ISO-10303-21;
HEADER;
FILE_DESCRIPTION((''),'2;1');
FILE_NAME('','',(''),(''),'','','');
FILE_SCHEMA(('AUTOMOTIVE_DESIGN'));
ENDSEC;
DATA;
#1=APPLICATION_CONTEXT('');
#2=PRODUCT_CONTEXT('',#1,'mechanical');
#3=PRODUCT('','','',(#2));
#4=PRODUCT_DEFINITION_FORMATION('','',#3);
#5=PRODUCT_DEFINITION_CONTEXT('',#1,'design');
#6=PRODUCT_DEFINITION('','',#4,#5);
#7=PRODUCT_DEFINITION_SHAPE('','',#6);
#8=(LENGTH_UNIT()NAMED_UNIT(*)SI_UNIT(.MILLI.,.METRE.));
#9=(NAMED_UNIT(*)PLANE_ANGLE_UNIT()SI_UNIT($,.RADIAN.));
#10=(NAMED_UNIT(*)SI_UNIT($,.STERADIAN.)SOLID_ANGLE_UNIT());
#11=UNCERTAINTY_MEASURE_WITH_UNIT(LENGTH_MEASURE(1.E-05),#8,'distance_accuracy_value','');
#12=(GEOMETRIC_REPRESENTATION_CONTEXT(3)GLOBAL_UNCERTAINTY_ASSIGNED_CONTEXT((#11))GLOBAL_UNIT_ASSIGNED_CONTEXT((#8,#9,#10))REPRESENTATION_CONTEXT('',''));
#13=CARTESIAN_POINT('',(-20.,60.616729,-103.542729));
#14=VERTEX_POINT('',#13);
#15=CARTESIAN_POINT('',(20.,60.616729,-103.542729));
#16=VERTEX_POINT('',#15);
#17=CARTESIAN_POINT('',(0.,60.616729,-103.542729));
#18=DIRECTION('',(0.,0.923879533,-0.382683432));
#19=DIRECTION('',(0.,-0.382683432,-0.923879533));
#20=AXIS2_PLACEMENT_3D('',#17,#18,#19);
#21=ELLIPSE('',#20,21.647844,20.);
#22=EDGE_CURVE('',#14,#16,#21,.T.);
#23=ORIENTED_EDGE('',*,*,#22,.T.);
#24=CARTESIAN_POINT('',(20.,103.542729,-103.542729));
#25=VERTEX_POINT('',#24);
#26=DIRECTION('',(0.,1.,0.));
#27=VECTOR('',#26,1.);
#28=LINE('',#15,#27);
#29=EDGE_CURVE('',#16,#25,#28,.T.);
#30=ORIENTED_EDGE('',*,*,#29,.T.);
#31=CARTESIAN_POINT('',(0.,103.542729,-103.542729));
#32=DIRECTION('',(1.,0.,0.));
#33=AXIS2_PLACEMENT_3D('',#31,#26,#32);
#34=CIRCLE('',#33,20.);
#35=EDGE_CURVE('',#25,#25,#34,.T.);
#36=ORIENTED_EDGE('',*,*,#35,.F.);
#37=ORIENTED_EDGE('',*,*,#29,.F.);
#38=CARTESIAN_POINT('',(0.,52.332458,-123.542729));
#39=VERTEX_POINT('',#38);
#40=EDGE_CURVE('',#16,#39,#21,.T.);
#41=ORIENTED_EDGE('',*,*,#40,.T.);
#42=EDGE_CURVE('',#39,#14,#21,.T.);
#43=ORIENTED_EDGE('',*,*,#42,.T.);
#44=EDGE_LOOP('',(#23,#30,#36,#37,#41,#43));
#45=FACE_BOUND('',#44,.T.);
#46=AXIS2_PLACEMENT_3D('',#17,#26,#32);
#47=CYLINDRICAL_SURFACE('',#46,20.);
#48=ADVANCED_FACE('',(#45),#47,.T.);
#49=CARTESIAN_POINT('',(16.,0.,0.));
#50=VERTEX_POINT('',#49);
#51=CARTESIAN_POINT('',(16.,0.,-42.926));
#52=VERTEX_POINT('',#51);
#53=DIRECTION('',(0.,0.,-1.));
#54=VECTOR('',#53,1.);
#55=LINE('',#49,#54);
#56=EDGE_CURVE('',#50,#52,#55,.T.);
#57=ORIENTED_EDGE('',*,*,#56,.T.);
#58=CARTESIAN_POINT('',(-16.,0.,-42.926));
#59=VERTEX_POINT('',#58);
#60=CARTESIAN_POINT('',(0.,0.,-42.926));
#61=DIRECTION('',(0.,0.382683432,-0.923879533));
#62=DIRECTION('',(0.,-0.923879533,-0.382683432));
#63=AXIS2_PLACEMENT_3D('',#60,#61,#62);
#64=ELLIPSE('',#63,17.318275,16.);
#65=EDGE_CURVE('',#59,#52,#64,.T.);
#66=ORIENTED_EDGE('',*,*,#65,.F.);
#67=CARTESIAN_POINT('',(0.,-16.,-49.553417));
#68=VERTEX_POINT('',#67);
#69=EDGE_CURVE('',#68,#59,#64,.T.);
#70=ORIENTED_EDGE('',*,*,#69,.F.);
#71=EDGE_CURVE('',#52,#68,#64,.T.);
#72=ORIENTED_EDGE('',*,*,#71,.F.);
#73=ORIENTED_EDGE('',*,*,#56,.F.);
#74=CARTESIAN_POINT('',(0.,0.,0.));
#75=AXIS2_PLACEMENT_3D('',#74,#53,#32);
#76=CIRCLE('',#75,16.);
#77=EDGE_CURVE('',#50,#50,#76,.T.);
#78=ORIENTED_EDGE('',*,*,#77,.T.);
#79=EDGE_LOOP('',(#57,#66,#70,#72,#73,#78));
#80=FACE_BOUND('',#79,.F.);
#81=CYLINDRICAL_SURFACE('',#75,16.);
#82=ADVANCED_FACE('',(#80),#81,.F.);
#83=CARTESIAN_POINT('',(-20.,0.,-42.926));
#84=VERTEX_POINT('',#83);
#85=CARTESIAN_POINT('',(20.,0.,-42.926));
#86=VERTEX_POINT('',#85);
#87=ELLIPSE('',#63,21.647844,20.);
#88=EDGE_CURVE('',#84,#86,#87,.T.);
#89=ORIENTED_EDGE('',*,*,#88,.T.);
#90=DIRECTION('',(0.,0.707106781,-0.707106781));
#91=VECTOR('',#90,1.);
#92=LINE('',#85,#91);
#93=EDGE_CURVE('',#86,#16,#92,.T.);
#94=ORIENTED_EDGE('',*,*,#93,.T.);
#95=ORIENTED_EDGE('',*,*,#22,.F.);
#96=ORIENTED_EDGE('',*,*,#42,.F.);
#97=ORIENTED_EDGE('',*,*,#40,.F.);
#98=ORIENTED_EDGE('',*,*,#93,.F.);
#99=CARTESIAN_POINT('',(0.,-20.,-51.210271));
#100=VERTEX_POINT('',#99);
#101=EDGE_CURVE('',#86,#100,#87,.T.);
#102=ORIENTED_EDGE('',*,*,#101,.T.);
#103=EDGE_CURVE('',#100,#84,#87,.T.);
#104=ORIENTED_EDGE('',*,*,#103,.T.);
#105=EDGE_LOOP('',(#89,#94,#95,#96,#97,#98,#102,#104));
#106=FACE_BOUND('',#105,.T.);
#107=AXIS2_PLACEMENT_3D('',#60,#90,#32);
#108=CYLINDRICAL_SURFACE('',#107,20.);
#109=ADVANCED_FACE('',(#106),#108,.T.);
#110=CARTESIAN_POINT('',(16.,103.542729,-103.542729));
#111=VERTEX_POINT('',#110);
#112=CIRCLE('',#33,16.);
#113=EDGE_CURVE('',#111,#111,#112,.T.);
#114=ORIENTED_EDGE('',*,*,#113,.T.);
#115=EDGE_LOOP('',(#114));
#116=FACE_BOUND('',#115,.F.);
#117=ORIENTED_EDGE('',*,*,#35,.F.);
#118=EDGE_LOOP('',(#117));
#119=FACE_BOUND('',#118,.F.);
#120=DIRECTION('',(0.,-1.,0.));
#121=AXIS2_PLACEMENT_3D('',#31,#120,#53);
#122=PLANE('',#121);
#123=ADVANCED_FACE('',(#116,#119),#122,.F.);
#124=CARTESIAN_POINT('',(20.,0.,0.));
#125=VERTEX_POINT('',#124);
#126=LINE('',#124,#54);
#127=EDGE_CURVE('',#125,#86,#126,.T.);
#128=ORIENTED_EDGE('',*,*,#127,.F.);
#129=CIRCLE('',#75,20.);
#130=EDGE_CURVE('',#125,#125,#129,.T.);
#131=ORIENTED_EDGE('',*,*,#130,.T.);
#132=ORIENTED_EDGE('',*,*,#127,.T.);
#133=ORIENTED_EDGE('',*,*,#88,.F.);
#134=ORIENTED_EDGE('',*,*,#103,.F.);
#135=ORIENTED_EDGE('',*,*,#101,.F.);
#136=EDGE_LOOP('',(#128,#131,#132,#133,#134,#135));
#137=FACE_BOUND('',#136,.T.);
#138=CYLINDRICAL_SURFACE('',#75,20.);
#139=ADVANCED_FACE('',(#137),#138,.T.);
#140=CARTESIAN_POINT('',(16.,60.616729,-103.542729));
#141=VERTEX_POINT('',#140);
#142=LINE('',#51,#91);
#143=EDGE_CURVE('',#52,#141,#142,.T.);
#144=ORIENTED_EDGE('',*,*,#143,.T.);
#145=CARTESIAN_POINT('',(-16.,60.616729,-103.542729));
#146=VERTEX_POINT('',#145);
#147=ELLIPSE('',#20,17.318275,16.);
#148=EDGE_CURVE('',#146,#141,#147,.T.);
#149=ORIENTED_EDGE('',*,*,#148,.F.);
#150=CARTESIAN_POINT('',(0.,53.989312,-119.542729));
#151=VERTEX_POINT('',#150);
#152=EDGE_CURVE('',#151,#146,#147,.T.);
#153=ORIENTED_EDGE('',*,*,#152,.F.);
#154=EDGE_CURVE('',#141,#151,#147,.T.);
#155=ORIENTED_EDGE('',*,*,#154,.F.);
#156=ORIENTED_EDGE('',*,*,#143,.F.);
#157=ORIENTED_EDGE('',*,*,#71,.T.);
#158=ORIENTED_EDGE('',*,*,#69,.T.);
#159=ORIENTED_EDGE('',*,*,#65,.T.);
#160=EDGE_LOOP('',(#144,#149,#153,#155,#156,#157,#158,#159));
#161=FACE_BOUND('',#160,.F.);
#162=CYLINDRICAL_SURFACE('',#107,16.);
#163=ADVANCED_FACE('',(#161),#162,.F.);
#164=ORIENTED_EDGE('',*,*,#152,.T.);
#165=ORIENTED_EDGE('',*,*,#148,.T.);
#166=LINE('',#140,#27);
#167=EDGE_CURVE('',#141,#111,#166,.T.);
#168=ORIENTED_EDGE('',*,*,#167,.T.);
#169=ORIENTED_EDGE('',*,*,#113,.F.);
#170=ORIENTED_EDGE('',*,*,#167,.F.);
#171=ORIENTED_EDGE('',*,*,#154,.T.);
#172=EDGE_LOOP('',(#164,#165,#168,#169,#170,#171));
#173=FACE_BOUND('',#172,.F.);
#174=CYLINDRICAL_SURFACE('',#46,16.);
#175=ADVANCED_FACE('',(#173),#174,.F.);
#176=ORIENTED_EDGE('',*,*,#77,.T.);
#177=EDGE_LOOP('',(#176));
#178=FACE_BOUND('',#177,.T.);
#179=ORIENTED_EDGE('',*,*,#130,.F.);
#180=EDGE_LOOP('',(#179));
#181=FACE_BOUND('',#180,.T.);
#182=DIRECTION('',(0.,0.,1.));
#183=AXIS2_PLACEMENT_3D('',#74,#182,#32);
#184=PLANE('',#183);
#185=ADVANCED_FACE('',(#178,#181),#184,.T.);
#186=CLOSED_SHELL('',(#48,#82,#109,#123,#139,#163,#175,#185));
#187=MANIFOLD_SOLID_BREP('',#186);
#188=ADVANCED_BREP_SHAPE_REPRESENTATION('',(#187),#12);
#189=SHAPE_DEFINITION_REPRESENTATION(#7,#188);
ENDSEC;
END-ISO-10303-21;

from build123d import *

# Parameters (mm, degrees)
F0_R   = 20
F0_R_2 = 16


with BuildPart() as f2:
    # F2: sweep along a path in F1
    with BuildLine(Plane.YZ) as f2_path:
        Line((0, 0), (0, -42.926))
        Line((0, -42.926), (60.6167288172, -103.5427288172))
        Line((60.6167288172, -103.5427288172), (103.5427288172, -103.5427288172))
    # F0 (on Top) → F2 (sweep)
    with BuildSketch(Plane.XY):
        Circle(F0_R)
        Circle(F0_R_2, mode=Mode.SUBTRACT)
    sweep(path=f2_path.line, transition=Transition.RIGHT)


solid = f2.part
